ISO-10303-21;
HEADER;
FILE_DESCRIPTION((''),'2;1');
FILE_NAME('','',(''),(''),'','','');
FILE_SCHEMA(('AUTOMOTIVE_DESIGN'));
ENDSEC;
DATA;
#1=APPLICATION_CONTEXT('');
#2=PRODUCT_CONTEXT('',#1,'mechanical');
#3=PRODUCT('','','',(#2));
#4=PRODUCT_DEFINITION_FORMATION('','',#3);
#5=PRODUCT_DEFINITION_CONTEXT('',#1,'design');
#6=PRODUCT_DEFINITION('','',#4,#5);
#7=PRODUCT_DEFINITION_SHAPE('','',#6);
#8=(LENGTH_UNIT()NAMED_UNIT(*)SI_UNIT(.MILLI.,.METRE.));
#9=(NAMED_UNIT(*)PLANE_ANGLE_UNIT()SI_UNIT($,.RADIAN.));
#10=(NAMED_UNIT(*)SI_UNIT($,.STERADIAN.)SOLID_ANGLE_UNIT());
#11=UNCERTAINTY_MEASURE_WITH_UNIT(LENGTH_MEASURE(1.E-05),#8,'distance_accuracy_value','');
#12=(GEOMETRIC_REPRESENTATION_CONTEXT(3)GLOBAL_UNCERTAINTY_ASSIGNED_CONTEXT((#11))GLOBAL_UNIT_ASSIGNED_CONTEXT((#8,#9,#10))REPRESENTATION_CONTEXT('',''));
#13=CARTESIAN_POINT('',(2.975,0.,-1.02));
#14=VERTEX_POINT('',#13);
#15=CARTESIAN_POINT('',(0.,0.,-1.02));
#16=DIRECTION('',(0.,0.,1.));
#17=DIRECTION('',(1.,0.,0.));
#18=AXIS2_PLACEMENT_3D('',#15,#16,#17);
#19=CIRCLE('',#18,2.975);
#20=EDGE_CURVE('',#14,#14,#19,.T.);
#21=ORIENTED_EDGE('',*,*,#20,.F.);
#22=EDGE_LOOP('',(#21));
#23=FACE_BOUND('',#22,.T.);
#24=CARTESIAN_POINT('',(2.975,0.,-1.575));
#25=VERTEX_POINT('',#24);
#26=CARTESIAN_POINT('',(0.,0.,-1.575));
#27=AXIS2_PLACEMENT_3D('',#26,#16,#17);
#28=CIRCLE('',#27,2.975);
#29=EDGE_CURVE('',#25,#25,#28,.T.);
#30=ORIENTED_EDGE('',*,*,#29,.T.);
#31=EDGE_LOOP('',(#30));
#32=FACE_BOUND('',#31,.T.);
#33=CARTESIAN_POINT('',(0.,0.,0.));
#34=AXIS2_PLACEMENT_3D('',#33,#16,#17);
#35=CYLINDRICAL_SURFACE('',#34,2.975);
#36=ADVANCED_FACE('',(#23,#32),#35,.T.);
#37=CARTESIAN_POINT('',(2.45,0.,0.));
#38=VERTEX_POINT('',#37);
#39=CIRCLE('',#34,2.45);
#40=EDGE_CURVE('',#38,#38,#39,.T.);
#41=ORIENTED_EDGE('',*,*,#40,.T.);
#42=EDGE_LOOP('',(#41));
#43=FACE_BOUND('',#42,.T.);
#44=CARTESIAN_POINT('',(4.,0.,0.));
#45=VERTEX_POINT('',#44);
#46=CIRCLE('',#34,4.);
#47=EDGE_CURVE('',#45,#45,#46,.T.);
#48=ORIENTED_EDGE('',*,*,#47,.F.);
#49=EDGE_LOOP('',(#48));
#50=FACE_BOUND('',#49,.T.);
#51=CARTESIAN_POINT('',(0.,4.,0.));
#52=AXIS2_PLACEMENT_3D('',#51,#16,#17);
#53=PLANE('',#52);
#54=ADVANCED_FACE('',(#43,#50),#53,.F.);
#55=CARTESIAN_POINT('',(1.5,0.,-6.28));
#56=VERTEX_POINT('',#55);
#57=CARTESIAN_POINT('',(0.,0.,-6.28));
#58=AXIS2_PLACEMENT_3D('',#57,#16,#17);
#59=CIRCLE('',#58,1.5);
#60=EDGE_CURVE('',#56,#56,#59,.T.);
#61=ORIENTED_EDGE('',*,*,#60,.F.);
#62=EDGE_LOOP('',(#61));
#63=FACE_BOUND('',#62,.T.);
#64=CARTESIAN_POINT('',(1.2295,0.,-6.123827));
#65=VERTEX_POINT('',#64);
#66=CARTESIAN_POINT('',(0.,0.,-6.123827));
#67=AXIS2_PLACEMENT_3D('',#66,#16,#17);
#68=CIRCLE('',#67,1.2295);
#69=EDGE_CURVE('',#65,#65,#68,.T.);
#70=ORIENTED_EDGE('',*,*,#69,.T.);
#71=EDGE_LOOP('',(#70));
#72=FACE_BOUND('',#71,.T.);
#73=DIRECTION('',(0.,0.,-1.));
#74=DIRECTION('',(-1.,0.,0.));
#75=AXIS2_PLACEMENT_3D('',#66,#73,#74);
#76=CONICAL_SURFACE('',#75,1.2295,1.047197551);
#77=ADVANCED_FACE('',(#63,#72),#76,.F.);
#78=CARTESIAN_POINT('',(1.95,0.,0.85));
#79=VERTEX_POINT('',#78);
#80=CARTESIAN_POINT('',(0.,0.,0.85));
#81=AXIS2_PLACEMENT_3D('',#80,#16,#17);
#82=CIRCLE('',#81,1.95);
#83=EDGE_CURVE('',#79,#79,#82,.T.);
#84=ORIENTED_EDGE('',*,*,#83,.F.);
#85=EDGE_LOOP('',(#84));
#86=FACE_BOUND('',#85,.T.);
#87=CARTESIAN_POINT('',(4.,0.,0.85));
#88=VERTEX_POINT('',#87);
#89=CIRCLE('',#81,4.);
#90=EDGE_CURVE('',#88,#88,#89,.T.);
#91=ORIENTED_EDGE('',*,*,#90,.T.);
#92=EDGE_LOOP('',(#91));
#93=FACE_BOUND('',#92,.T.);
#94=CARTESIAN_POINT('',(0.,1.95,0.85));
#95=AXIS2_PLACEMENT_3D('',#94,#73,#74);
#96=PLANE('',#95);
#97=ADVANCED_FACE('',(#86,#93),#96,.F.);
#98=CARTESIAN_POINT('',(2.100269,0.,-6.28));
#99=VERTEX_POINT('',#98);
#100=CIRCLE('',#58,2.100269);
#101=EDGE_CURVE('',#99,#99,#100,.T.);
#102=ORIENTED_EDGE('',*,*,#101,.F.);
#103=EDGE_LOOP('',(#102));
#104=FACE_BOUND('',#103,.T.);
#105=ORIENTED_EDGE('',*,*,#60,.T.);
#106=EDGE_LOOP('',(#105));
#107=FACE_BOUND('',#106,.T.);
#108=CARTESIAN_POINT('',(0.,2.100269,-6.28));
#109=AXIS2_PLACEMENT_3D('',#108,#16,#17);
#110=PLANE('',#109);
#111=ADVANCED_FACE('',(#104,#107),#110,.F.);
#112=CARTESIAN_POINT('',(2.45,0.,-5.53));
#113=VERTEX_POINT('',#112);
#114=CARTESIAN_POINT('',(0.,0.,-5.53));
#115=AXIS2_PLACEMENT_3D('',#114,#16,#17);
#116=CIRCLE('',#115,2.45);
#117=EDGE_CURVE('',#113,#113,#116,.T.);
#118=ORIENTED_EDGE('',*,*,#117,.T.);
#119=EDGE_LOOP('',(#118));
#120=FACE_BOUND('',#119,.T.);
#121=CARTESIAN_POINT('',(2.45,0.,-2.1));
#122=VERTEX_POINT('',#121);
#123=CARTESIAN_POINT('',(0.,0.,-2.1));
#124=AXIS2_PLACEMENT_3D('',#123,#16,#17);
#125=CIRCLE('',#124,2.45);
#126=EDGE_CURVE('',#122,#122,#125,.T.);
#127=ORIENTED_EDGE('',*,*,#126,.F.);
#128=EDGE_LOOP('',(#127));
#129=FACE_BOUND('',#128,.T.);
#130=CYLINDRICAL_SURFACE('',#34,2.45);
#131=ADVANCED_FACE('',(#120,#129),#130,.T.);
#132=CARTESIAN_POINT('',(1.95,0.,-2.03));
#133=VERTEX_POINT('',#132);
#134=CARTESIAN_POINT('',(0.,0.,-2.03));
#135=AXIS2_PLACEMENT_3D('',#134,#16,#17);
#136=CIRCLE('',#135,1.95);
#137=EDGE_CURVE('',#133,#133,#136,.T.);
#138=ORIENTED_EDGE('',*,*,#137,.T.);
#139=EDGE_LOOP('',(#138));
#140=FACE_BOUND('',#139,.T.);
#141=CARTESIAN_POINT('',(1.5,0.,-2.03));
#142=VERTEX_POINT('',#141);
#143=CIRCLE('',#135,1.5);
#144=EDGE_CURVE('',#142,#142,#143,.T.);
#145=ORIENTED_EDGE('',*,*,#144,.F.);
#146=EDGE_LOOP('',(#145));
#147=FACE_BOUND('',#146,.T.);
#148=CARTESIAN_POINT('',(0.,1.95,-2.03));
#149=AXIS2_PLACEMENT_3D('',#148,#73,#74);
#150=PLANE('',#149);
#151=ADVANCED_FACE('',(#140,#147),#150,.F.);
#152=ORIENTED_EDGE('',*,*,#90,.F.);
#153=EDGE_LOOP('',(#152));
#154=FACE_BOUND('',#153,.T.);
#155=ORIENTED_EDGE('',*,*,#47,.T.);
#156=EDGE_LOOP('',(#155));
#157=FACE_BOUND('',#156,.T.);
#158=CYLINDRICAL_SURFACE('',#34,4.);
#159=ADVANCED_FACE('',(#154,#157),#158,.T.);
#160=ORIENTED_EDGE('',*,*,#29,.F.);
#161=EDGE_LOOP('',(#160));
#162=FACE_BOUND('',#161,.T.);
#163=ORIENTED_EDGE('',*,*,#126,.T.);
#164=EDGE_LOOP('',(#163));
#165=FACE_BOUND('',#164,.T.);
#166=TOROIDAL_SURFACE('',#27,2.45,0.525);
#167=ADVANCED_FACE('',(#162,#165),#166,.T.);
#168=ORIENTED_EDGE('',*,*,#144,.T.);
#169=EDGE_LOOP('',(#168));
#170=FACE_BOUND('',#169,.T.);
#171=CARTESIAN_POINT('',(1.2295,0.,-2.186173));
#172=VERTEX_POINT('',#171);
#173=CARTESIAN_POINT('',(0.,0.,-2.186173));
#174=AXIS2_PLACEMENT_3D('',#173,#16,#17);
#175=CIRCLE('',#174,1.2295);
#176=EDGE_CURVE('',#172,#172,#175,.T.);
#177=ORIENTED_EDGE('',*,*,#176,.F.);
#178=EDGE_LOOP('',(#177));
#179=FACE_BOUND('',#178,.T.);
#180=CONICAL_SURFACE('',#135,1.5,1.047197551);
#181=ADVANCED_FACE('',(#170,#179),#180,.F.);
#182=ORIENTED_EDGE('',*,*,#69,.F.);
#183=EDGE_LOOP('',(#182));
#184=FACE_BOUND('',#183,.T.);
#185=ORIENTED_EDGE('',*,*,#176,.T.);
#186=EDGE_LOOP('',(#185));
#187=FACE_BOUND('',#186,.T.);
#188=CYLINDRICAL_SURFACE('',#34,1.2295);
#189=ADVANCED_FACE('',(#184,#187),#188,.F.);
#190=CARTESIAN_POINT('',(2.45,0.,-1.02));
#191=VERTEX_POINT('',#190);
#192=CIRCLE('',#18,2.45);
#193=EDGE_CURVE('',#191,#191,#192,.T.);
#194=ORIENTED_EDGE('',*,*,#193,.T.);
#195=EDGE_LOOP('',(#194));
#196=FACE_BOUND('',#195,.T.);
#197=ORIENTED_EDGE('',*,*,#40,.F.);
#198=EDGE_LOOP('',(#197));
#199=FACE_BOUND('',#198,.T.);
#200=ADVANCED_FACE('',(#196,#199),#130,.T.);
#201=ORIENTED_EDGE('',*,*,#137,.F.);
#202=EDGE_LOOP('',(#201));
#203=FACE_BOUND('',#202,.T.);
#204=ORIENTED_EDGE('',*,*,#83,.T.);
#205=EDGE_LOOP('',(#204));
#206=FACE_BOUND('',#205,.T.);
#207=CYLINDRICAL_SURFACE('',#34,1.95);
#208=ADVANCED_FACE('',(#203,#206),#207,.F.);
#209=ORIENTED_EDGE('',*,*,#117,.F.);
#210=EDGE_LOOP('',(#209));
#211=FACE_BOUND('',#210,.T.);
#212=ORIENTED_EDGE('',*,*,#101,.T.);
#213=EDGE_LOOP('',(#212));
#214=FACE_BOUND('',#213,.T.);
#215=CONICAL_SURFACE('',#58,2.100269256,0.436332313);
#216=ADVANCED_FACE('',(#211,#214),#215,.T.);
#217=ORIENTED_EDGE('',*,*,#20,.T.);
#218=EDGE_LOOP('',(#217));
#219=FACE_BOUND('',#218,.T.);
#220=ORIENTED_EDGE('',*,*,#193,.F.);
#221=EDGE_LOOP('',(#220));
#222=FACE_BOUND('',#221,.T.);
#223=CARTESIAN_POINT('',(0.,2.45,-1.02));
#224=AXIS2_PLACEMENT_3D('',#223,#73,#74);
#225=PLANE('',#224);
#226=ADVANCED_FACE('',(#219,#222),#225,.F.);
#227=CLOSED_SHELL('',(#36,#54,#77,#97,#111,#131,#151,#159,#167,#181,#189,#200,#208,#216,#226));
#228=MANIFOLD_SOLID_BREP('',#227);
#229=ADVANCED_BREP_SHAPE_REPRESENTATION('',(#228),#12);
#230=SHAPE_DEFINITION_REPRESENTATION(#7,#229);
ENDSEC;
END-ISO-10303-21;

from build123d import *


with BuildPart() as part:
    # Sketch1 → Revolve1 (revolve)
    with BuildSketch(Plane(origin=(0, 0, 0), x_dir=(0, 0, -1), z_dir=(1, 0, 0)), mode=Mode.PRIVATE) as revolve1_sk:
        with BuildLine():
            Line((-0.85, 1.95), (2.03, 1.95))
            Line((2.03, 1.95), (2.03, 1.5))
            Line((2.03, 1.5), (2.186173248, 1.2295))
            Line((2.186173248, 1.2295), (6.123826752, 1.2295))
            Line((6.123826752, 1.2295), (6.28, 1.5))
            Line((6.28, 1.5), (6.28, 2.100269256))
            Line((6.28, 2.100269256), (5.53, 2.45))
            Line((5.53, 2.45), (2.1, 2.45))
            ThreePointArc((2.1, 2.45), (1.94623106, 2.82123106), (1.575, 2.975))
            Line((1.575, 2.975), (1.02, 2.975))
            Line((1.02, 2.975), (1.02, 2.45))
            Line((1.02, 2.45), (0, 2.45))
            Line((0, 2.45), (0, 4))
            Line((0, 4), (-0.85, 4))
            Line((-0.85, 4), (-0.85, 1.95))
        make_face()
    revolve(revolve1_sk.sketch.rotate(Axis((0, 0, 0), (0, 0, -1)), 90), axis=Axis((0, 0, 0), (0, 0, -1)))


solid = part.part
